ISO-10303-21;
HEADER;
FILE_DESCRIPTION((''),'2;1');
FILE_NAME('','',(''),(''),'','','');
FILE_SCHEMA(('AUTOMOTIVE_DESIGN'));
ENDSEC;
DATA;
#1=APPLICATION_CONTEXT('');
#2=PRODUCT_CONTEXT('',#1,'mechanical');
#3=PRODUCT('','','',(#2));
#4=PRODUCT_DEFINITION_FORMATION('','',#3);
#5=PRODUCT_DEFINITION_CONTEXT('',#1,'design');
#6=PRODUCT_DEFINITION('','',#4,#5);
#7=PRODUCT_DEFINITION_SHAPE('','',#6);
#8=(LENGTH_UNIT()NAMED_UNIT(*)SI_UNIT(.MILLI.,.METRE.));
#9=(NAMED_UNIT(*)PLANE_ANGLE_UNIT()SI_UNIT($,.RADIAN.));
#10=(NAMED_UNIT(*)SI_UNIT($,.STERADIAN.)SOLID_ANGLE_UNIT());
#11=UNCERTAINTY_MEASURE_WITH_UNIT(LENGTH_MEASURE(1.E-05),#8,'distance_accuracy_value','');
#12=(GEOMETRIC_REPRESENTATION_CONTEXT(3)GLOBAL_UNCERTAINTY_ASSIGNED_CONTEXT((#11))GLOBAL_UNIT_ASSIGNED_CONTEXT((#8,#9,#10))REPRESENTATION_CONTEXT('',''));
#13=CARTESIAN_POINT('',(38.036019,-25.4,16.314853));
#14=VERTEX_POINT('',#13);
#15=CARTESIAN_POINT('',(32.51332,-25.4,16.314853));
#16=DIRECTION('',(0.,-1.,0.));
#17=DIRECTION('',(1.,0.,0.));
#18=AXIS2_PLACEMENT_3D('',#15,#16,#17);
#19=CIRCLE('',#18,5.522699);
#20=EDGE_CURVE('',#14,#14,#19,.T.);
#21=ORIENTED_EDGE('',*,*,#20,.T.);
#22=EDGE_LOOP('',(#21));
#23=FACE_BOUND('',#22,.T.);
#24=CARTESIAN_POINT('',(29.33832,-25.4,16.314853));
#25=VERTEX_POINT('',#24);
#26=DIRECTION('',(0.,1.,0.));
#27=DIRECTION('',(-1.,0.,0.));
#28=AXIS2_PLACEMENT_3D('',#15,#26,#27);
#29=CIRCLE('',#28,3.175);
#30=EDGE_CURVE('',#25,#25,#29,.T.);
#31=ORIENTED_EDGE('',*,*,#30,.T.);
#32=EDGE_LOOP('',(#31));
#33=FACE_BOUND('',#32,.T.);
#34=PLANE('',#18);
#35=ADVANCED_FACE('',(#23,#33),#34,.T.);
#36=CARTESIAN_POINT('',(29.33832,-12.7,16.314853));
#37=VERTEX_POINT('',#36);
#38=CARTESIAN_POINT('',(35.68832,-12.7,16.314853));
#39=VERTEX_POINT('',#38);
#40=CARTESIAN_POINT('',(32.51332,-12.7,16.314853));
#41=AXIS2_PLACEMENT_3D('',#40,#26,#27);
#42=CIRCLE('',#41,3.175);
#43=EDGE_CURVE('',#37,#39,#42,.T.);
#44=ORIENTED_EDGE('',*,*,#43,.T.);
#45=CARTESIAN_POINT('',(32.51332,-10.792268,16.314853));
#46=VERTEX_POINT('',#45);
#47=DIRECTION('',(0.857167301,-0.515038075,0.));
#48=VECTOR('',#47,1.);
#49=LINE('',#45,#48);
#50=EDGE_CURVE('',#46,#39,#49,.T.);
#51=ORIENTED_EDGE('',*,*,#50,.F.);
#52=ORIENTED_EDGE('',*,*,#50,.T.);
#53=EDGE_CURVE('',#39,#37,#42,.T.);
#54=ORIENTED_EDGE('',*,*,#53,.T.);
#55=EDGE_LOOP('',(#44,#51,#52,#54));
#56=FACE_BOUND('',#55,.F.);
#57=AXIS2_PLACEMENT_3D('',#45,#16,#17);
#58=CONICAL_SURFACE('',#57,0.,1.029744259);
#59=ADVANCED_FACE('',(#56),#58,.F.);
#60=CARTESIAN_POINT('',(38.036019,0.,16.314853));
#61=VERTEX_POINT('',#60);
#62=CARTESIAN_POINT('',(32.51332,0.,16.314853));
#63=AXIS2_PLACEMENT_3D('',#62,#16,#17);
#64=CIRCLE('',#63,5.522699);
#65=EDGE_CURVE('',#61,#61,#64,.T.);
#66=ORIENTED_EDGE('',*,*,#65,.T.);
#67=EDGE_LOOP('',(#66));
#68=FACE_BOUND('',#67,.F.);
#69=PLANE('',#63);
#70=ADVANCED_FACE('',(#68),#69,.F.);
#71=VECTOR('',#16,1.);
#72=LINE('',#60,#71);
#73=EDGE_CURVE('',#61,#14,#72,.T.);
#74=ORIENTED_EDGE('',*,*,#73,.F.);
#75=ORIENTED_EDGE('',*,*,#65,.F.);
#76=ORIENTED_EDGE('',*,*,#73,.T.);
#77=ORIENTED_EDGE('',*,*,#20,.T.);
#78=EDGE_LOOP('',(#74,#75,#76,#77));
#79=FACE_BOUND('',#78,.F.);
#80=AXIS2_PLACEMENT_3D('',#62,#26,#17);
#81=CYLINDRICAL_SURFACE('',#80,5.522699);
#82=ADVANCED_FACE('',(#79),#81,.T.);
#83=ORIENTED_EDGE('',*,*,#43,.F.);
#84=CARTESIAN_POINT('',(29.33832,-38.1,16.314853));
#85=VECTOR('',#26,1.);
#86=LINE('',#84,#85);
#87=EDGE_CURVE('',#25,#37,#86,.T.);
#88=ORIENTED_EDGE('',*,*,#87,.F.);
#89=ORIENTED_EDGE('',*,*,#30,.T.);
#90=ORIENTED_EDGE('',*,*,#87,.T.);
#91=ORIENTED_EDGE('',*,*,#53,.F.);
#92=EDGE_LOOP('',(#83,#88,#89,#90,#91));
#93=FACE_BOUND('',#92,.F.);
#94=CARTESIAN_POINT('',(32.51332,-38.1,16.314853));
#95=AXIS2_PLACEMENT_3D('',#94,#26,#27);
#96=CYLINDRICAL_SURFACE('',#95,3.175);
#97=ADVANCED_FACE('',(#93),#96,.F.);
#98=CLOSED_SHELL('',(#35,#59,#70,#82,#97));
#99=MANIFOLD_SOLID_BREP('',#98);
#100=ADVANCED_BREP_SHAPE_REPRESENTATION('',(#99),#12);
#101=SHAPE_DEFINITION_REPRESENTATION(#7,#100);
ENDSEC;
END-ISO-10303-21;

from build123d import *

# Parameters (mm, degrees)
F0_R     = 5.5226986732
F1_DEPTH = 25.4
F3_D     = 6.35
F3_DEPTH = 12.7
F3_TIP   = 1.9077324654


with BuildPart() as f1:
    # F0 (on Front) → F1 (new body)
    with BuildSketch(Plane.XZ):
        with Locations((32.513320446, 16.3148529828)):
            Circle(F0_R)
    extrude(amount=F1_DEPTH)

    # F3
    with Locations(Plane.XZ.offset(25.4)):
        with Locations((32.513320446, 16.3148529828)):
            Hole(F3_D / 2, depth=F3_DEPTH)
            with Locations((0, 0, -(F3_DEPTH + F3_TIP / 2))):  # 118° drill point
                Cone(0, F3_D / 2, F3_TIP, mode=Mode.SUBTRACT)


solid = f1.part
